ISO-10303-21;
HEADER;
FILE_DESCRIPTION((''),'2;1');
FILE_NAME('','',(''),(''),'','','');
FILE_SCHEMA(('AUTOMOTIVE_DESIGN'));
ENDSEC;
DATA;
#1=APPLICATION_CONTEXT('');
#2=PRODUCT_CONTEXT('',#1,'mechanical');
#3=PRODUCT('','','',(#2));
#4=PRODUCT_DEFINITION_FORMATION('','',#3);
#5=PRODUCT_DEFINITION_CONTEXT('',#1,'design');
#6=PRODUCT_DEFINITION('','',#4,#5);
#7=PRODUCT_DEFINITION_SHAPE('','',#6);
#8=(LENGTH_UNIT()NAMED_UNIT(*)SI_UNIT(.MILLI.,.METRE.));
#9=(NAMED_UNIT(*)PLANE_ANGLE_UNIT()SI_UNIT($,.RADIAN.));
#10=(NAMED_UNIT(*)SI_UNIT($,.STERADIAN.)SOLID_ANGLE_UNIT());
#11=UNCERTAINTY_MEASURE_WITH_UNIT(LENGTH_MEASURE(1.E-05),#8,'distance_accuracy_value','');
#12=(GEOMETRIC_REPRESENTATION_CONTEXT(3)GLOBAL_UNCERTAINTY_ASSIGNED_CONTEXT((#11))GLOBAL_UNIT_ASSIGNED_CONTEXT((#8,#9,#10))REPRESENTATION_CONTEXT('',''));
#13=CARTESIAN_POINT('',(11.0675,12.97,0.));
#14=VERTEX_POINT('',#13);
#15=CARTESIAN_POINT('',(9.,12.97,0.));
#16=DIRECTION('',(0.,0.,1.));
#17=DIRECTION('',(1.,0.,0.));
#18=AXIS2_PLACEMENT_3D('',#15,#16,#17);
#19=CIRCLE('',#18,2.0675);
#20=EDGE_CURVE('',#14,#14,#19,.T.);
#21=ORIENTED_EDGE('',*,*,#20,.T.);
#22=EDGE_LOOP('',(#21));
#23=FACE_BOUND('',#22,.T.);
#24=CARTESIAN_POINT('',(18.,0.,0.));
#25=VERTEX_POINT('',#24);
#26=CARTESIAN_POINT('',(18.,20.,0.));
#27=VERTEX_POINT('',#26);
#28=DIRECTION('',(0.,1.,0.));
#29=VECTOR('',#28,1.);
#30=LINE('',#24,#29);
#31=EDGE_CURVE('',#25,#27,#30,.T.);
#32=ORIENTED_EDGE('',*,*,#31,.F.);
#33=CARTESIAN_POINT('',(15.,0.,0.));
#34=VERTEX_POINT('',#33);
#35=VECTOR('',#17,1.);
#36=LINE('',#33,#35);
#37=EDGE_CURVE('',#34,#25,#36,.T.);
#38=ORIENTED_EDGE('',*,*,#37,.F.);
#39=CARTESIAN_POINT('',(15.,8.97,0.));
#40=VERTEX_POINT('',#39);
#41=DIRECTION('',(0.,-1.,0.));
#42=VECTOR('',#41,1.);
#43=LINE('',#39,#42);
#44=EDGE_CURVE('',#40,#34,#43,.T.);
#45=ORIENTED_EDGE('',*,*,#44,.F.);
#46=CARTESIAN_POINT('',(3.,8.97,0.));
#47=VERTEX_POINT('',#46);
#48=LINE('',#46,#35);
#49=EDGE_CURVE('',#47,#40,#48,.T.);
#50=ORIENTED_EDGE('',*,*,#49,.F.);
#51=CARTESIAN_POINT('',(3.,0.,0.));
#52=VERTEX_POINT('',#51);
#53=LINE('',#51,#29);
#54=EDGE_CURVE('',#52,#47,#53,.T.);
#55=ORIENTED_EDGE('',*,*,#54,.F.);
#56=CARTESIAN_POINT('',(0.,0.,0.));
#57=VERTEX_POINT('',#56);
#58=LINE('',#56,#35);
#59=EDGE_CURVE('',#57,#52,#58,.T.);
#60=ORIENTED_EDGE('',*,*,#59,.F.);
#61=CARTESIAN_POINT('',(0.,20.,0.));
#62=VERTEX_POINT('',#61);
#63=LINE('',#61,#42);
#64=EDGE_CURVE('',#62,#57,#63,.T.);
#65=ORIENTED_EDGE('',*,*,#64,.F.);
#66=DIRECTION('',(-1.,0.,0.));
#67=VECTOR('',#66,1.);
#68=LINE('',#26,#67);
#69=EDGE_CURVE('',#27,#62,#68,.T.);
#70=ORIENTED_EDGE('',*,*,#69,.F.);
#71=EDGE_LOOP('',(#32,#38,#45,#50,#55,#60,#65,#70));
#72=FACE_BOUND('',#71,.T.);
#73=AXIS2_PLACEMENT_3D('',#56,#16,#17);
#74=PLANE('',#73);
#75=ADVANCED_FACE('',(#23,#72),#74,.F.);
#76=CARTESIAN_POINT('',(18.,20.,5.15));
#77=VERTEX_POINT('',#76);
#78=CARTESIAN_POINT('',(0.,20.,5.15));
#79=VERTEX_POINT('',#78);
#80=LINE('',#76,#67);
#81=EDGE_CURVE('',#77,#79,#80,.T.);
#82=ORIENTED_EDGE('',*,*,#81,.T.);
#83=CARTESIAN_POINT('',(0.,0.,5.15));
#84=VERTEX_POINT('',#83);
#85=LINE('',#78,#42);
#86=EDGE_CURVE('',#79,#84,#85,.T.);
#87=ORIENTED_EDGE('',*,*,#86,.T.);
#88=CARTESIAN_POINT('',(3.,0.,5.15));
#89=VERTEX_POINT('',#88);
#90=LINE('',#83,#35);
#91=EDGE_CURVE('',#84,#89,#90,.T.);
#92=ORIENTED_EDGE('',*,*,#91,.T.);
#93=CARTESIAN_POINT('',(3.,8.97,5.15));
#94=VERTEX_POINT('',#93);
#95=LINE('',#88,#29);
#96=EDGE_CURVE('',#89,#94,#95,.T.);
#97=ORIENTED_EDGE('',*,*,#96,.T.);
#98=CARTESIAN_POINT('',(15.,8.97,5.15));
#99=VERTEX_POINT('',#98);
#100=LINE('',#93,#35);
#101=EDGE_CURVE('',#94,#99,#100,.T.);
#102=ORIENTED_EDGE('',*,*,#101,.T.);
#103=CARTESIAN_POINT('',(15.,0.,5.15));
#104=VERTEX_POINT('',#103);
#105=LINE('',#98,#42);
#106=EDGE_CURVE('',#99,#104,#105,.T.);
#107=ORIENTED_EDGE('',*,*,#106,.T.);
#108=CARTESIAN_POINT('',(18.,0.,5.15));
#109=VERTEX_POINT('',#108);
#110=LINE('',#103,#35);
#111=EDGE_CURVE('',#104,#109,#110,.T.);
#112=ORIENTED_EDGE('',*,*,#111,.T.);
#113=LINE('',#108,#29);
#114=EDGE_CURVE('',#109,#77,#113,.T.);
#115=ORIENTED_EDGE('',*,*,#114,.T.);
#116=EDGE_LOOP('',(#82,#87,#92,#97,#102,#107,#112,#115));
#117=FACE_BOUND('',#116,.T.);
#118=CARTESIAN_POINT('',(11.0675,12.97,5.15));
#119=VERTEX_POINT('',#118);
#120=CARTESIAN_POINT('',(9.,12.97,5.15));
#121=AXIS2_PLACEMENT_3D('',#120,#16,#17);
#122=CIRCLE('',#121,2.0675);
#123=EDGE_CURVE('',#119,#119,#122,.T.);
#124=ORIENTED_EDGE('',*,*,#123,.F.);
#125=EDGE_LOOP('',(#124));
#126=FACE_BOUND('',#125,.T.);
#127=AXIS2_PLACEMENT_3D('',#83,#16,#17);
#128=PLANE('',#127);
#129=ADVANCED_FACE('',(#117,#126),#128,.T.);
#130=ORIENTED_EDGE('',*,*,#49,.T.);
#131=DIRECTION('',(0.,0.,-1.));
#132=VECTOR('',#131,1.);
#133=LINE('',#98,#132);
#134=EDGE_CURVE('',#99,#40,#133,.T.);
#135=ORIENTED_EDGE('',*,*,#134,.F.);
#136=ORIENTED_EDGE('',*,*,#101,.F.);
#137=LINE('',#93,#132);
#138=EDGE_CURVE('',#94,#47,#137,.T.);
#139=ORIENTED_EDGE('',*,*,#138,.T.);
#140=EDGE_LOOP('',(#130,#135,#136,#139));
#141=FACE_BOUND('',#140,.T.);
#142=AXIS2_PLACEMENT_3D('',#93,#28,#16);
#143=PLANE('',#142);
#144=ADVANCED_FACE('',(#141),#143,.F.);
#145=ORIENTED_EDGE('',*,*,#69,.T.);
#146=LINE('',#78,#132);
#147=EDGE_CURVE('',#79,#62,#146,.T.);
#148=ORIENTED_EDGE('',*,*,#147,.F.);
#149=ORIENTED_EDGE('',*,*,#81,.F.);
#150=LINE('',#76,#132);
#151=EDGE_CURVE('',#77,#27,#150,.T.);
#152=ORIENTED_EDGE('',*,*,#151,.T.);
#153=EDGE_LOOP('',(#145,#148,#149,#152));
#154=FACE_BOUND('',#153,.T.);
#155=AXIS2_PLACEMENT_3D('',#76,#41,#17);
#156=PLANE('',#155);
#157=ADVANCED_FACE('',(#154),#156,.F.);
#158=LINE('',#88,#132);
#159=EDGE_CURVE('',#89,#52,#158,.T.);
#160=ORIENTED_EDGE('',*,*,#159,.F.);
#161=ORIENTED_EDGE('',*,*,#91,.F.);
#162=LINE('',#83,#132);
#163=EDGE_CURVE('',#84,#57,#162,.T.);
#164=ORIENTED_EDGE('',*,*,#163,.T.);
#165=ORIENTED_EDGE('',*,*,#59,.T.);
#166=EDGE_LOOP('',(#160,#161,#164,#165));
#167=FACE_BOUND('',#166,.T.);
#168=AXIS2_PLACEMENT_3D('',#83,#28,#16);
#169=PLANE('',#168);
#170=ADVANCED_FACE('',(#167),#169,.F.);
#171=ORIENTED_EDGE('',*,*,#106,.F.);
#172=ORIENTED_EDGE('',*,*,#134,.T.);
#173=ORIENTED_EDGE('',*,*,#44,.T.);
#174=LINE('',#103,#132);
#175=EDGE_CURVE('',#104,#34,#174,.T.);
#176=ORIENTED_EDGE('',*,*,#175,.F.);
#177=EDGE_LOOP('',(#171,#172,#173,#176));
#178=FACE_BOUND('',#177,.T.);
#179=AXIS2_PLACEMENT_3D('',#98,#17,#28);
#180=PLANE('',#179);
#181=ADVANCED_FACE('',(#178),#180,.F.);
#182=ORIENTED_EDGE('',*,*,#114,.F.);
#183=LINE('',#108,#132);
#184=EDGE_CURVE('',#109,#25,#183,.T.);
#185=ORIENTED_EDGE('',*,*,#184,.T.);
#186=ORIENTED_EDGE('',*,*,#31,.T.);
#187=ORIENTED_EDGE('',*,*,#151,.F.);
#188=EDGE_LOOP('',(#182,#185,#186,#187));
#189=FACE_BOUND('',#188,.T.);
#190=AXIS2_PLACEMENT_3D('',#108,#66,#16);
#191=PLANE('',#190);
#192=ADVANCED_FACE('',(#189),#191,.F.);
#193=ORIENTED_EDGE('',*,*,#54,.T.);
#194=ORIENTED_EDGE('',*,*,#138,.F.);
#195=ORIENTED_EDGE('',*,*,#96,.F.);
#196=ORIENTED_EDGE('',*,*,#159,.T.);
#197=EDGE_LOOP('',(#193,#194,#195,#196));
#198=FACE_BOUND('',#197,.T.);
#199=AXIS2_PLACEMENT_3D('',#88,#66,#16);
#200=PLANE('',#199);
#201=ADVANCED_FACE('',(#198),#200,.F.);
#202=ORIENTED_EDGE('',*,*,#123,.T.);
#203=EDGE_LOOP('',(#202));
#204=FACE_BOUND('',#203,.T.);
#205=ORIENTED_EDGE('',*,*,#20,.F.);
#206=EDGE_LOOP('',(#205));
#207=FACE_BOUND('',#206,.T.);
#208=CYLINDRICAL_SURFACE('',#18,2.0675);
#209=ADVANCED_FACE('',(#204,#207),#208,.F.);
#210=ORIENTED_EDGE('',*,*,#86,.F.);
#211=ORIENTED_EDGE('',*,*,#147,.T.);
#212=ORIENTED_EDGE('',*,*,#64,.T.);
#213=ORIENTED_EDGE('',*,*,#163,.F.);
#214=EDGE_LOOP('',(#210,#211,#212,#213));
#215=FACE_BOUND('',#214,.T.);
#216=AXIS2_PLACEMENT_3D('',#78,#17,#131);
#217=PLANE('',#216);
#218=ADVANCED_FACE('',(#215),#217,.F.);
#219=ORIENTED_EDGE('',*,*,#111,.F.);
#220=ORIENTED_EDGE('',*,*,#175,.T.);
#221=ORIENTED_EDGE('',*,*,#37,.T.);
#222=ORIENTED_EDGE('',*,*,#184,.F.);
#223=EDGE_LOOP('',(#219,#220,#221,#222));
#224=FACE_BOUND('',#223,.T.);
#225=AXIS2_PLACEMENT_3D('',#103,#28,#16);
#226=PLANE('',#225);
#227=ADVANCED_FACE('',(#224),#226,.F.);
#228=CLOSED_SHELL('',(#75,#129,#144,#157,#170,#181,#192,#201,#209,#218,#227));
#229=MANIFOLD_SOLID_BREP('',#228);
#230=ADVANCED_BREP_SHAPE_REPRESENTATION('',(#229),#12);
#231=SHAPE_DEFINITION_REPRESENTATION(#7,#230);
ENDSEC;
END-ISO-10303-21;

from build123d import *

# Parameters (mm, degrees)
BOSS_EXTRUDE1_DEPTH = 5.15
SKETCH3_R           = 2.0675
CUT_EXTRUDE1_DEPTH  = 6.15


with BuildPart() as part:
    # Sketch1 → Boss-Extrude1 (new body)
    with BuildSketch(Plane.XY):
        Polygon((0, 0), (3, 0), (3, 8.97), (15, 8.97), (15, 0), (18, 0), (18, 20), (0, 20), align=None)
    extrude(amount=BOSS_EXTRUDE1_DEPTH)

    # Sketch3 → Cut-Extrude1 (cut, through all)
    with BuildSketch(Plane.XY.offset(5.15)):
        with Locations((9, 12.97)):
            Circle(SKETCH3_R)
    extrude(amount=-CUT_EXTRUDE1_DEPTH, mode=Mode.SUBTRACT)


solid = part.part
